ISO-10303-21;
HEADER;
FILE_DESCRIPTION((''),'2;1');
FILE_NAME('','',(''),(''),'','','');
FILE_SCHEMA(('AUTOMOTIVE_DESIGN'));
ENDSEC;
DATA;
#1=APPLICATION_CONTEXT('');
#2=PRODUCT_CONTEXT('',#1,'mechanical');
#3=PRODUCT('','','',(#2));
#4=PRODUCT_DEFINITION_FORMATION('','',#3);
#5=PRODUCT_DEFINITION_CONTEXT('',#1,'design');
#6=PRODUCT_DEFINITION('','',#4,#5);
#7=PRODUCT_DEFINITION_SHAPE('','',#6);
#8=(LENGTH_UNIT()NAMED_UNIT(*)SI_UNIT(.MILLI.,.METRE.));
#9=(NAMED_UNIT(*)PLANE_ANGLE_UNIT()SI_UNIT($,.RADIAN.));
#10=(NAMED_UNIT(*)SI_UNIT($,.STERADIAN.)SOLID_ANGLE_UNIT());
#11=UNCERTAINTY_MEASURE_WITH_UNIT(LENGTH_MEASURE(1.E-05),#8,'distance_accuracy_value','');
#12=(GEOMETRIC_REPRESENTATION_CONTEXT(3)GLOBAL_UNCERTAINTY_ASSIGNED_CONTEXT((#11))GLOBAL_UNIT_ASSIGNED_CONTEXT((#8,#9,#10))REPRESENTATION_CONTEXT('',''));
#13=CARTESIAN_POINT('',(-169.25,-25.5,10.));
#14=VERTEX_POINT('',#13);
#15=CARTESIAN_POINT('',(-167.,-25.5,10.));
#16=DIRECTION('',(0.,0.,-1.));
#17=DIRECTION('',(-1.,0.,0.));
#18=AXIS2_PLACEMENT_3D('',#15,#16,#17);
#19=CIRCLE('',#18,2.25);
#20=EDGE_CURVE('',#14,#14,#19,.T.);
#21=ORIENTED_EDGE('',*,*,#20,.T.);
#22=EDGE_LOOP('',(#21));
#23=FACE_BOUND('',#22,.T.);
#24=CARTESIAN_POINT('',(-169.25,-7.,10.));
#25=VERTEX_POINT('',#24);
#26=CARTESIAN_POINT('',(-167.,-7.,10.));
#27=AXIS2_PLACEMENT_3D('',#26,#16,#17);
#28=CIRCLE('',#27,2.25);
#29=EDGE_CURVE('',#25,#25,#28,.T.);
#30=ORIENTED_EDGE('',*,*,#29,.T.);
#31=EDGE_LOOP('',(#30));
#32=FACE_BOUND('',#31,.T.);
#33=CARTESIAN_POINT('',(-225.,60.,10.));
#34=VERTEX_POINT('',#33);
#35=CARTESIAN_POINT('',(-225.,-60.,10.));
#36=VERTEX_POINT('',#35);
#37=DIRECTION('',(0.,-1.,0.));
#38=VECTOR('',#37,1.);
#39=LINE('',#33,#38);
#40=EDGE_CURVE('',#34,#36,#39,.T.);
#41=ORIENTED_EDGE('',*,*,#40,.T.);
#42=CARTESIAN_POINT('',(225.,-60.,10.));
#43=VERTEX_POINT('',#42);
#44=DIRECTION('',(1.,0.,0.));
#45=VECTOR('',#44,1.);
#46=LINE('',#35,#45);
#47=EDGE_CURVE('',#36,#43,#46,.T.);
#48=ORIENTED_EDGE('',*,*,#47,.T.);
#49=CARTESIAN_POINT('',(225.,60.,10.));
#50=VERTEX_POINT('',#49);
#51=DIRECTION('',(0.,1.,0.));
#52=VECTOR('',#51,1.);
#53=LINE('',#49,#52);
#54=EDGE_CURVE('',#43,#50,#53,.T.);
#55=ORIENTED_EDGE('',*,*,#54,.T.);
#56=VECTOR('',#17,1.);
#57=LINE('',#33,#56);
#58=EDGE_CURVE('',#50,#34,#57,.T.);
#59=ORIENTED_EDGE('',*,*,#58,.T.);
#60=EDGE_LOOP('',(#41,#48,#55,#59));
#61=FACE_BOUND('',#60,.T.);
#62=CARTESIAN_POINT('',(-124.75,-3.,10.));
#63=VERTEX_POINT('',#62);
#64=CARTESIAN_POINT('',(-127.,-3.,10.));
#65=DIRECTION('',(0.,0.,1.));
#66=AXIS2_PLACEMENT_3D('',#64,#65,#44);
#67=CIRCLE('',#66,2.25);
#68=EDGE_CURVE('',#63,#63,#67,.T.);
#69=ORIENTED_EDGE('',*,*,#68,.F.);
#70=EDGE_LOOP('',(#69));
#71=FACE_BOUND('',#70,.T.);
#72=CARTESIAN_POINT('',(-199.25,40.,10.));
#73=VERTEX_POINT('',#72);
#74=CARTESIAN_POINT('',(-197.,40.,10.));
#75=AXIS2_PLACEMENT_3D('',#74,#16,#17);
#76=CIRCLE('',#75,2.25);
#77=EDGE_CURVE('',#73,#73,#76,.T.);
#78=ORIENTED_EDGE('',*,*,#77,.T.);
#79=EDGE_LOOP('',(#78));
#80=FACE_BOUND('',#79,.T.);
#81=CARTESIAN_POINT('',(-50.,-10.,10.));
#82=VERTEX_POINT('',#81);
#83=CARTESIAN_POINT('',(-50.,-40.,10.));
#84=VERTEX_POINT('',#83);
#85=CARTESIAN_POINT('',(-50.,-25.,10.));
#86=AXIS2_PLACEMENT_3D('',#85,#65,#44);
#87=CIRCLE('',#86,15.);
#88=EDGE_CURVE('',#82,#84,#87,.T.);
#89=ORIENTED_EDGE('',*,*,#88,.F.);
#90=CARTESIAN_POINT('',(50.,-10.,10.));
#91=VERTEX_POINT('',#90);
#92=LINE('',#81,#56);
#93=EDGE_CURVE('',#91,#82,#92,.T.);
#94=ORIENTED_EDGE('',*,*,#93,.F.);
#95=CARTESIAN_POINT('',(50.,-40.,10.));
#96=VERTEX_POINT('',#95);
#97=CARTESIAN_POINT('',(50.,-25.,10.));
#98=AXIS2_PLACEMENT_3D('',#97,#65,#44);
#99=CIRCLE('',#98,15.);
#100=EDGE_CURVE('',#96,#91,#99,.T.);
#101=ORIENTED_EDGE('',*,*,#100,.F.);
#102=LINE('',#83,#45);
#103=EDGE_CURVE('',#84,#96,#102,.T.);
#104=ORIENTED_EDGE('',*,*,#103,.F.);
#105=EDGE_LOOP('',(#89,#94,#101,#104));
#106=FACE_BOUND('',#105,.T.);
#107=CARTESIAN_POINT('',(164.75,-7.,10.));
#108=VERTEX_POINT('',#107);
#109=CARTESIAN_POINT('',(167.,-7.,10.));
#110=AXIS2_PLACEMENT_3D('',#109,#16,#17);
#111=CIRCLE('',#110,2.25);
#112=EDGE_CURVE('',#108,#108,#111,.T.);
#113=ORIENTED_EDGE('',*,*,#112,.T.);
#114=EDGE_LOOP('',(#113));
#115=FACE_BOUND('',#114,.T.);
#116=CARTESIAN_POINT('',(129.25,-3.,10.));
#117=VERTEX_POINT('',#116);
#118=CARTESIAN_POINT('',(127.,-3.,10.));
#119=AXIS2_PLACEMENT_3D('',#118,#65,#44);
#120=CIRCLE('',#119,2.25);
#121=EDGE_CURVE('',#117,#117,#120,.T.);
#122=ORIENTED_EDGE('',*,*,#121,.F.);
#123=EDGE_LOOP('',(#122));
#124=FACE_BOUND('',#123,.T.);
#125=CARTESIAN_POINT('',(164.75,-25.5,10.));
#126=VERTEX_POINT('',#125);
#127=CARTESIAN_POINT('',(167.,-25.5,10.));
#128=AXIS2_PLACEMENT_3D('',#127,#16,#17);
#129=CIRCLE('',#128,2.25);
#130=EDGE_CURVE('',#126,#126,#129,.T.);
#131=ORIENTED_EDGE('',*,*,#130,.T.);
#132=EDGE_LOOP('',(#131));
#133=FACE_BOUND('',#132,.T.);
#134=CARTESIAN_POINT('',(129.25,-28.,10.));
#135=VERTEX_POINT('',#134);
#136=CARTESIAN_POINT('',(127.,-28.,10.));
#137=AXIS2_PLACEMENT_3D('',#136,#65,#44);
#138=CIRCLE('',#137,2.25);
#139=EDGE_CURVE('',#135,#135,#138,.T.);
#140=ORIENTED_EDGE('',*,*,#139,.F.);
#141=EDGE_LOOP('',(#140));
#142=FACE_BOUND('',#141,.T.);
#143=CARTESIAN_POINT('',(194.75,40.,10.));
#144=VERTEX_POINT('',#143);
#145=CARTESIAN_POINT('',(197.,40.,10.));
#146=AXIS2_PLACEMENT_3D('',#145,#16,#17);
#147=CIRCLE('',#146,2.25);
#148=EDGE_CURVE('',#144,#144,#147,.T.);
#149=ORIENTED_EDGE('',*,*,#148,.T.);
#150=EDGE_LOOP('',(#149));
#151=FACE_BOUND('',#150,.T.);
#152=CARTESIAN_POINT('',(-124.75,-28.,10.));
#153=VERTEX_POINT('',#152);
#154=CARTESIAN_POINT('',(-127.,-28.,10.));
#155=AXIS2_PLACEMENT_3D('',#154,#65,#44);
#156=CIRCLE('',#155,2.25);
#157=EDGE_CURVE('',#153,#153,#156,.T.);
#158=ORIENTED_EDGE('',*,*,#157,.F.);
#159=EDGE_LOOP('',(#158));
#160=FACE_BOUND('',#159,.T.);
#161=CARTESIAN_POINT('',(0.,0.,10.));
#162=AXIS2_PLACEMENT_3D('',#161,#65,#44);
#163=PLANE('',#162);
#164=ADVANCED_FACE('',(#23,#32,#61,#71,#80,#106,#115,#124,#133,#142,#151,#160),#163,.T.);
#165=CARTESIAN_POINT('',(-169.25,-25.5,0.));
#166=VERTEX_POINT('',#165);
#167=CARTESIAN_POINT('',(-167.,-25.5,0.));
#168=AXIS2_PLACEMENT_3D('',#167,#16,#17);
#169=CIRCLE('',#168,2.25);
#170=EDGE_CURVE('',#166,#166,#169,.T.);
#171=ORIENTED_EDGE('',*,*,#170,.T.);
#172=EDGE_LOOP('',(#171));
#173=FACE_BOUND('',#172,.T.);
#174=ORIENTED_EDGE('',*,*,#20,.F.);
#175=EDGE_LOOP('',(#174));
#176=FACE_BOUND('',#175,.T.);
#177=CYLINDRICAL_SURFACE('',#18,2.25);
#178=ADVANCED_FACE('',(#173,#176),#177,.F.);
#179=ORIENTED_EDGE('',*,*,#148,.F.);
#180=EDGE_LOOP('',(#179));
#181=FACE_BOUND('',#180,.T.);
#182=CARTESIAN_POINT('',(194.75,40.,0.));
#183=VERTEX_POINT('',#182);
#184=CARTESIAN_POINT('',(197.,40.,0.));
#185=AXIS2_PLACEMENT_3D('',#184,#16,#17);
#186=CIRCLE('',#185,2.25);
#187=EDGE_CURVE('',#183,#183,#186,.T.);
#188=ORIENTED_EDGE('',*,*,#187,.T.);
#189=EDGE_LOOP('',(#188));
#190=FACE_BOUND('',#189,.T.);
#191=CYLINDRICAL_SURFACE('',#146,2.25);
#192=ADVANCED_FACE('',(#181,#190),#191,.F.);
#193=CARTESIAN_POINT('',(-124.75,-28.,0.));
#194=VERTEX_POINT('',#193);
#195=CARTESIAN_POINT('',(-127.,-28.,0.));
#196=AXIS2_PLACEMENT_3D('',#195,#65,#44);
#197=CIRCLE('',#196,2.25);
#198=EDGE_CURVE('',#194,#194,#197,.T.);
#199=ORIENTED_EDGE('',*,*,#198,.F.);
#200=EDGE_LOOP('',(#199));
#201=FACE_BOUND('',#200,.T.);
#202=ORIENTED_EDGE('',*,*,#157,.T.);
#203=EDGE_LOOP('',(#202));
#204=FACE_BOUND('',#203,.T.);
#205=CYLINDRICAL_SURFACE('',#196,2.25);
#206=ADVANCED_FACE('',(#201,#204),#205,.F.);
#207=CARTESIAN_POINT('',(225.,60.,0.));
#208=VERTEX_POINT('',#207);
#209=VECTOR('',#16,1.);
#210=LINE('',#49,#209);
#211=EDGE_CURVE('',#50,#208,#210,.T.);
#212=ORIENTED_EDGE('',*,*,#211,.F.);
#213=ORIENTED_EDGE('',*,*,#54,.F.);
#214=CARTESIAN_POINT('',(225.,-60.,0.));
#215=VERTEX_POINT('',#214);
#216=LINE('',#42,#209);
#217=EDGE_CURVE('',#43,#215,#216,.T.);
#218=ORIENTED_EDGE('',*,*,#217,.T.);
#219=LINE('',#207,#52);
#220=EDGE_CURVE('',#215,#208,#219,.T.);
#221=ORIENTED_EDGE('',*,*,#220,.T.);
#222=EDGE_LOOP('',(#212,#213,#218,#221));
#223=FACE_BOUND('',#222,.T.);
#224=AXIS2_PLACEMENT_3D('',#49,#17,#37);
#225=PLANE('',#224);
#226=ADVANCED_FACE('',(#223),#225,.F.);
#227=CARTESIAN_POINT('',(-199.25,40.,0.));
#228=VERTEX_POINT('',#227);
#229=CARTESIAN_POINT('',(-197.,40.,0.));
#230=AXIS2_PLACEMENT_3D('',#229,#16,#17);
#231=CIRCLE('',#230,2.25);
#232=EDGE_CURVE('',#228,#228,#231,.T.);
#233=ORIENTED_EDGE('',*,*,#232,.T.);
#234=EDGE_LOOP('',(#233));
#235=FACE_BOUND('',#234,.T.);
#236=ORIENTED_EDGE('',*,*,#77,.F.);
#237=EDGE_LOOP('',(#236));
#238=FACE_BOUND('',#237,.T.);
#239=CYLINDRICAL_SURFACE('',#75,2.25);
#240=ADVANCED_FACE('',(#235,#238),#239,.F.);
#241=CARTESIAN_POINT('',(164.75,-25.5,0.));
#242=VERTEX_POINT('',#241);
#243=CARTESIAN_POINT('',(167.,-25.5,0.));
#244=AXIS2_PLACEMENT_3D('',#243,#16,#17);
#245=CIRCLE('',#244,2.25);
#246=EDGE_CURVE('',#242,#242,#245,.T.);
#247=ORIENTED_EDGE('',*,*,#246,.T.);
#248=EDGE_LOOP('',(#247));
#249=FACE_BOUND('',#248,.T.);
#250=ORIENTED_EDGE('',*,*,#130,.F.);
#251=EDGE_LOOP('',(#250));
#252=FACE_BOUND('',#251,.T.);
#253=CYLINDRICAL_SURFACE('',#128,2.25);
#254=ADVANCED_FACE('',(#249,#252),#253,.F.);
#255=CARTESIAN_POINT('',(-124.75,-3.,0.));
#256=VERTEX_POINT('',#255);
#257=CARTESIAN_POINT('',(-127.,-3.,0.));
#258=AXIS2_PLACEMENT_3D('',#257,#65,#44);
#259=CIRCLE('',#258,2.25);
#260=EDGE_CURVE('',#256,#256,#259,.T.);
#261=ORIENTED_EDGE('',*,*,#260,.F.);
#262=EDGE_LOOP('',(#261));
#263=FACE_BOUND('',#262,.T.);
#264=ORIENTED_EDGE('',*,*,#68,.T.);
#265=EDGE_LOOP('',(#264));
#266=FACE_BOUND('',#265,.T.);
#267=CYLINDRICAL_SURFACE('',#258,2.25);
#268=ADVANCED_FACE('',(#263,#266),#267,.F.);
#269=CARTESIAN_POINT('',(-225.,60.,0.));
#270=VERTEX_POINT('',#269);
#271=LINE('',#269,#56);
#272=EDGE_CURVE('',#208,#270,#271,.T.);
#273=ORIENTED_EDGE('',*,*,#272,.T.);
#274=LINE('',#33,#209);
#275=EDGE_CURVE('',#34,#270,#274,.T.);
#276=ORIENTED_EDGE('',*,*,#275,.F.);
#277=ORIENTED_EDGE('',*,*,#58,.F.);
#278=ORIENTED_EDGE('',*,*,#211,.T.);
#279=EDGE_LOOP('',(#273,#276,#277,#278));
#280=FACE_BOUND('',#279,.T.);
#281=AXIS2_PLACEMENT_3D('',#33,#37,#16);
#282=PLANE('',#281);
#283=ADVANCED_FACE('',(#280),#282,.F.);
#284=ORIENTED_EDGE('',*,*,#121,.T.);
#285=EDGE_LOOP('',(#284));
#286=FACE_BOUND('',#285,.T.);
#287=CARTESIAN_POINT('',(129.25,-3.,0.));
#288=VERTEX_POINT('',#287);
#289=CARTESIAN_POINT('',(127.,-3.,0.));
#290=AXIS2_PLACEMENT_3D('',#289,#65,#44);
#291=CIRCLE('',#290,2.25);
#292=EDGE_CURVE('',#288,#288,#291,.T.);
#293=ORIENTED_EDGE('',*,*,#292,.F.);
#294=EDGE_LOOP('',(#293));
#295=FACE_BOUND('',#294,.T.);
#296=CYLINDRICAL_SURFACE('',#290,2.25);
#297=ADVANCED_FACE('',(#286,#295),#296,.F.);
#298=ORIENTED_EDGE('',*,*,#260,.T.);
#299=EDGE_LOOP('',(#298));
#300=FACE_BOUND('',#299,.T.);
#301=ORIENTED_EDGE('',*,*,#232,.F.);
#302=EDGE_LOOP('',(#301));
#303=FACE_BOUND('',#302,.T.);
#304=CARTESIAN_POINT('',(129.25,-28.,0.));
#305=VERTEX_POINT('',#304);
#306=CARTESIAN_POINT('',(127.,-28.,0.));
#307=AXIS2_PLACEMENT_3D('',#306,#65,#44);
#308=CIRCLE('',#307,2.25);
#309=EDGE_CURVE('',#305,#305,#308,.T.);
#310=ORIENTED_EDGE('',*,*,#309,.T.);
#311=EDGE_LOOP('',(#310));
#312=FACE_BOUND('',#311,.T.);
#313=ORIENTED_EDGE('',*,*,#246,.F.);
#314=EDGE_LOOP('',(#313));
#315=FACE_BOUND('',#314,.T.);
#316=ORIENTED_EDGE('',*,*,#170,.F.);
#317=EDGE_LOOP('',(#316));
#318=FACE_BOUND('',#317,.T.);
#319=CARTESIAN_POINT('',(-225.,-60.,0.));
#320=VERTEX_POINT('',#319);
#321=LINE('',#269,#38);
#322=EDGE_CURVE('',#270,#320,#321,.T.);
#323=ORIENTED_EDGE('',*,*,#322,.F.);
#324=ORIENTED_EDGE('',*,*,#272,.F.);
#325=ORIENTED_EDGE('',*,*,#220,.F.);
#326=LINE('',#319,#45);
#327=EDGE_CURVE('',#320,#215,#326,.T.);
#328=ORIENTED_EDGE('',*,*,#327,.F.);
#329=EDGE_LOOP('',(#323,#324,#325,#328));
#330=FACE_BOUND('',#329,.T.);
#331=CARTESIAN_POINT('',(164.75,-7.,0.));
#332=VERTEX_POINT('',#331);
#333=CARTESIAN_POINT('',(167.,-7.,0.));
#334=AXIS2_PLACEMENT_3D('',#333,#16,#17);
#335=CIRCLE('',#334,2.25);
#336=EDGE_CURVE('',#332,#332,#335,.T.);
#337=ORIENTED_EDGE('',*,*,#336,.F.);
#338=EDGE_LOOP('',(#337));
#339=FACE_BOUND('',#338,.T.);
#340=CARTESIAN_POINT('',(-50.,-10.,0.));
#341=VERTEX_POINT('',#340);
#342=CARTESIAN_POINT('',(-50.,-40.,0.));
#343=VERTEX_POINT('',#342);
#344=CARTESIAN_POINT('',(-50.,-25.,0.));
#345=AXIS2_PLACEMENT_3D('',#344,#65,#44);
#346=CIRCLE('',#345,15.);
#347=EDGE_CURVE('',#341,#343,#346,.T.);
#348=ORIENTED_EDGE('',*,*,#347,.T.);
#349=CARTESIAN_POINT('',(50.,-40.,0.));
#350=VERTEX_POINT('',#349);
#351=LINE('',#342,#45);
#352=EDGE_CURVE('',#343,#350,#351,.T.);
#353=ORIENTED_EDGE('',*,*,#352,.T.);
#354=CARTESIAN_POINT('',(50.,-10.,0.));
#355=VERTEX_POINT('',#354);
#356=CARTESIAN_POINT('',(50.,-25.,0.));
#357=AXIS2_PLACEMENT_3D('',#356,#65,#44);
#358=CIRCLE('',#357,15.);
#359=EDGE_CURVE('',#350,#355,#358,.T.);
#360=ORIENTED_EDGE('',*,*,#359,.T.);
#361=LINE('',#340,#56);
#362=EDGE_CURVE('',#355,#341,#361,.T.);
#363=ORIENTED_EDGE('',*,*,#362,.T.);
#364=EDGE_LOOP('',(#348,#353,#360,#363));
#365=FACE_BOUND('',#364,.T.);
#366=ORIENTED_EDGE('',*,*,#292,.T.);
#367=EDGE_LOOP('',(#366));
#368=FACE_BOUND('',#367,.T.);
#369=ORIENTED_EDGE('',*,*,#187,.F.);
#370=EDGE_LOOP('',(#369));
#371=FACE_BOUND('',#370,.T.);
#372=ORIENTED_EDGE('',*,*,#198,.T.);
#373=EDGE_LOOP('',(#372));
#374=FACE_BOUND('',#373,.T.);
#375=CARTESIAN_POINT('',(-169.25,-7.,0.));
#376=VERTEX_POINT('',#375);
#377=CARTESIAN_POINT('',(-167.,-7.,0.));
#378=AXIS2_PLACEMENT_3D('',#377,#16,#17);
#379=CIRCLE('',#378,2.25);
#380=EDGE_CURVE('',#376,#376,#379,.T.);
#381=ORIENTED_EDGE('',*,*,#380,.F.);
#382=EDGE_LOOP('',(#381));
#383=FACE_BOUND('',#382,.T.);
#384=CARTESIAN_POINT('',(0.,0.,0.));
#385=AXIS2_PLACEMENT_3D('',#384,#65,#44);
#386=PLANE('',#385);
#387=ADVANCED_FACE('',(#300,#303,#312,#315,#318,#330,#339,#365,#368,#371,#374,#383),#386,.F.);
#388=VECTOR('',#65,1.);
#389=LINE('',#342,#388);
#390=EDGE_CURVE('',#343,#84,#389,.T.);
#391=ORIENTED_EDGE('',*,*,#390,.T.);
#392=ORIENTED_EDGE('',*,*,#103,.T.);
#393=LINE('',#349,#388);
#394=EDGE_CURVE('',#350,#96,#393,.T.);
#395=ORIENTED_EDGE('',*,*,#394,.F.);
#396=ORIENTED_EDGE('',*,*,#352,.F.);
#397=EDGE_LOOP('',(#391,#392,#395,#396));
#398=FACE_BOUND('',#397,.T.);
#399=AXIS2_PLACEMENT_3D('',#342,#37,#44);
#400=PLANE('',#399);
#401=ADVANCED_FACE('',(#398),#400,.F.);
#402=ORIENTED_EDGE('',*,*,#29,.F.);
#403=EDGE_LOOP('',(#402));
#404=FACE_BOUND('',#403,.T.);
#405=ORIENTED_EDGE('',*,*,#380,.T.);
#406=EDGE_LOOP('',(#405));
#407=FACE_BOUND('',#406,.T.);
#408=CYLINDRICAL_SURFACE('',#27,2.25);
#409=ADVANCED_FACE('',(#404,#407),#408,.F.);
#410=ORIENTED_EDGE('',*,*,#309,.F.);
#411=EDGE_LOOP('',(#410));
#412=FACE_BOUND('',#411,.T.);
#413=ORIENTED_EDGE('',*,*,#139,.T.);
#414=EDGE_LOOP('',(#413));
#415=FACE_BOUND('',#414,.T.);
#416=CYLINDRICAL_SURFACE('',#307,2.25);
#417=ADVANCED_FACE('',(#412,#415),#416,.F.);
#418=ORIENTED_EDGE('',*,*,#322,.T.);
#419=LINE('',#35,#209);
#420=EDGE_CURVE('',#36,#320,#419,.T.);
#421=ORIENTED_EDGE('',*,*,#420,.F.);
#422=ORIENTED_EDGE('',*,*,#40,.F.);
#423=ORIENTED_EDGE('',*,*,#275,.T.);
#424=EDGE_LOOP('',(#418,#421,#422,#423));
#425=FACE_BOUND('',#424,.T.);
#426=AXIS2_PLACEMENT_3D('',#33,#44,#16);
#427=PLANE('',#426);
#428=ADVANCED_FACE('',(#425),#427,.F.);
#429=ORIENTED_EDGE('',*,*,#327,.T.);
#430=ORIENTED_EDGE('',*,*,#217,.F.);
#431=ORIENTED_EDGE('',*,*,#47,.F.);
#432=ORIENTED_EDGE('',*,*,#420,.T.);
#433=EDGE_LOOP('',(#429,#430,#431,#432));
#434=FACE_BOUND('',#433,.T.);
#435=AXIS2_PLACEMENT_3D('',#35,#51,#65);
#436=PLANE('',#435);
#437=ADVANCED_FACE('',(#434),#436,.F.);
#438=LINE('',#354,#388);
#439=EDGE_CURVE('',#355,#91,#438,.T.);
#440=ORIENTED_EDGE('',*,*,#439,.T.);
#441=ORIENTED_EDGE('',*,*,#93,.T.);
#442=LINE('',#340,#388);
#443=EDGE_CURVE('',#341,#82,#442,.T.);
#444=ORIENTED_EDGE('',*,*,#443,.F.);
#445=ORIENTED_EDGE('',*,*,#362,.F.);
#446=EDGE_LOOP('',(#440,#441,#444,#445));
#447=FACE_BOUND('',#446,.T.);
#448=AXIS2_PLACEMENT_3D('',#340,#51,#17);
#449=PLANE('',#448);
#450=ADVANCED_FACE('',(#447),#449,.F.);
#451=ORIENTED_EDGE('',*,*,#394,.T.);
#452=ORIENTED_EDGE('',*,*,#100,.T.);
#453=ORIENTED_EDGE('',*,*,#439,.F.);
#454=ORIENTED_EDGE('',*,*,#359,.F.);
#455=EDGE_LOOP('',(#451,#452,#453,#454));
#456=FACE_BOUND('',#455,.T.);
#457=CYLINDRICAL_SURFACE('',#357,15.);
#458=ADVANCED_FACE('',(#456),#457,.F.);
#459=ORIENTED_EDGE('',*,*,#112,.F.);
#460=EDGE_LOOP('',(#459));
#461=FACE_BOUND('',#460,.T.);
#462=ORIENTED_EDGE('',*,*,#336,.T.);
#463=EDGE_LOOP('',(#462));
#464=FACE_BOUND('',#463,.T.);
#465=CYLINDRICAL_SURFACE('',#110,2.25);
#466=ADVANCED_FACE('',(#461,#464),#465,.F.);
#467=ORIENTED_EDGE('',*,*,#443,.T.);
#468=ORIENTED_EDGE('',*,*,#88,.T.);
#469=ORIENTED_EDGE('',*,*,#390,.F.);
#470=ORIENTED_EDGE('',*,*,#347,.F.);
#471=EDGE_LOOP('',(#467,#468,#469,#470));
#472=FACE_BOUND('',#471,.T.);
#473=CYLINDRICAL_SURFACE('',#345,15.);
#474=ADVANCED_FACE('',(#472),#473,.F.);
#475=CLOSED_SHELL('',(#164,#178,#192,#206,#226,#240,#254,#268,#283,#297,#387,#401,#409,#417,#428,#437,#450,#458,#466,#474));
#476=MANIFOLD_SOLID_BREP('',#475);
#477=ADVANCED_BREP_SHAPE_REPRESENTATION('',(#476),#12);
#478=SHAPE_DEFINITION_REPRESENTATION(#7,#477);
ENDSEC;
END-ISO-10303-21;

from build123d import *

# Parameters (mm, degrees)
SCHIZZO1_W                   = 450
SCHIZZO1_H                   = 120
ESTRUSIONE_ESTRUSIONE1_DEPTH = 10
TAGLIO_ESTRUSIONE1_DEPTH     = 10
SCHIZZO3_R                   = 2.25
TAGLIO_ESTRUSIONE2_DEPTH     = 10
SCHIZZO4_R                   = 2.25
TAGLIO_ESTRUSIONE3_DEPTH     = 10


with BuildPart() as part:
    # Schizzo1 → Estrusione-Estrusione1 (new body)
    with BuildSketch(Plane.XY):
        Rectangle(SCHIZZO1_W, SCHIZZO1_H)
    extrude(amount=ESTRUSIONE_ESTRUSIONE1_DEPTH)

    # Schizzo2 → Taglio-Estrusione1 (cut)
    with BuildSketch(Plane.XY.offset(10)):
        with BuildLine():
            Line((-50, -10), (50, -10))
            ThreePointArc((50, -10), (65, -25), (50, -40))
            Line((50, -40), (-50, -40))
            ThreePointArc((-50, -40), (-65, -25), (-50, -10))
        make_face()
    extrude(amount=-TAGLIO_ESTRUSIONE1_DEPTH, mode=Mode.SUBTRACT)

    # Schizzo3 → Taglio-Estrusione2 (cut)
    with BuildSketch(Plane(origin=(0, 0, 0), x_dir=(-1, 0, 0), z_dir=(0, 0, -1))):
        with Locations((-167, -7)):
            Circle(SCHIZZO3_R)
        with Locations((-167, -25.5)):
            Circle(SCHIZZO3_R)
        with Locations((167, -7)):
            Circle(SCHIZZO3_R)
        with Locations((167, -25.5)):
            Circle(SCHIZZO3_R)
        with Locations((197, 40)):
            Circle(SCHIZZO3_R)
        with Locations((-197, 40)):
            Circle(SCHIZZO3_R)
    extrude(amount=-TAGLIO_ESTRUSIONE2_DEPTH, mode=Mode.SUBTRACT)

    # Schizzo4 → Taglio-Estrusione3 (cut)
    with BuildSketch(Plane.XY.offset(10)):
        with Locations((-127, -3)):
            Circle(SCHIZZO4_R)
        with Locations((-127, -28)):
            Circle(SCHIZZO4_R)
        with Locations((127, -28)):
            Circle(SCHIZZO4_R)
        with Locations((127, -3)):
            Circle(SCHIZZO4_R)
    extrude(amount=-TAGLIO_ESTRUSIONE3_DEPTH, mode=Mode.SUBTRACT)


solid = part.part
